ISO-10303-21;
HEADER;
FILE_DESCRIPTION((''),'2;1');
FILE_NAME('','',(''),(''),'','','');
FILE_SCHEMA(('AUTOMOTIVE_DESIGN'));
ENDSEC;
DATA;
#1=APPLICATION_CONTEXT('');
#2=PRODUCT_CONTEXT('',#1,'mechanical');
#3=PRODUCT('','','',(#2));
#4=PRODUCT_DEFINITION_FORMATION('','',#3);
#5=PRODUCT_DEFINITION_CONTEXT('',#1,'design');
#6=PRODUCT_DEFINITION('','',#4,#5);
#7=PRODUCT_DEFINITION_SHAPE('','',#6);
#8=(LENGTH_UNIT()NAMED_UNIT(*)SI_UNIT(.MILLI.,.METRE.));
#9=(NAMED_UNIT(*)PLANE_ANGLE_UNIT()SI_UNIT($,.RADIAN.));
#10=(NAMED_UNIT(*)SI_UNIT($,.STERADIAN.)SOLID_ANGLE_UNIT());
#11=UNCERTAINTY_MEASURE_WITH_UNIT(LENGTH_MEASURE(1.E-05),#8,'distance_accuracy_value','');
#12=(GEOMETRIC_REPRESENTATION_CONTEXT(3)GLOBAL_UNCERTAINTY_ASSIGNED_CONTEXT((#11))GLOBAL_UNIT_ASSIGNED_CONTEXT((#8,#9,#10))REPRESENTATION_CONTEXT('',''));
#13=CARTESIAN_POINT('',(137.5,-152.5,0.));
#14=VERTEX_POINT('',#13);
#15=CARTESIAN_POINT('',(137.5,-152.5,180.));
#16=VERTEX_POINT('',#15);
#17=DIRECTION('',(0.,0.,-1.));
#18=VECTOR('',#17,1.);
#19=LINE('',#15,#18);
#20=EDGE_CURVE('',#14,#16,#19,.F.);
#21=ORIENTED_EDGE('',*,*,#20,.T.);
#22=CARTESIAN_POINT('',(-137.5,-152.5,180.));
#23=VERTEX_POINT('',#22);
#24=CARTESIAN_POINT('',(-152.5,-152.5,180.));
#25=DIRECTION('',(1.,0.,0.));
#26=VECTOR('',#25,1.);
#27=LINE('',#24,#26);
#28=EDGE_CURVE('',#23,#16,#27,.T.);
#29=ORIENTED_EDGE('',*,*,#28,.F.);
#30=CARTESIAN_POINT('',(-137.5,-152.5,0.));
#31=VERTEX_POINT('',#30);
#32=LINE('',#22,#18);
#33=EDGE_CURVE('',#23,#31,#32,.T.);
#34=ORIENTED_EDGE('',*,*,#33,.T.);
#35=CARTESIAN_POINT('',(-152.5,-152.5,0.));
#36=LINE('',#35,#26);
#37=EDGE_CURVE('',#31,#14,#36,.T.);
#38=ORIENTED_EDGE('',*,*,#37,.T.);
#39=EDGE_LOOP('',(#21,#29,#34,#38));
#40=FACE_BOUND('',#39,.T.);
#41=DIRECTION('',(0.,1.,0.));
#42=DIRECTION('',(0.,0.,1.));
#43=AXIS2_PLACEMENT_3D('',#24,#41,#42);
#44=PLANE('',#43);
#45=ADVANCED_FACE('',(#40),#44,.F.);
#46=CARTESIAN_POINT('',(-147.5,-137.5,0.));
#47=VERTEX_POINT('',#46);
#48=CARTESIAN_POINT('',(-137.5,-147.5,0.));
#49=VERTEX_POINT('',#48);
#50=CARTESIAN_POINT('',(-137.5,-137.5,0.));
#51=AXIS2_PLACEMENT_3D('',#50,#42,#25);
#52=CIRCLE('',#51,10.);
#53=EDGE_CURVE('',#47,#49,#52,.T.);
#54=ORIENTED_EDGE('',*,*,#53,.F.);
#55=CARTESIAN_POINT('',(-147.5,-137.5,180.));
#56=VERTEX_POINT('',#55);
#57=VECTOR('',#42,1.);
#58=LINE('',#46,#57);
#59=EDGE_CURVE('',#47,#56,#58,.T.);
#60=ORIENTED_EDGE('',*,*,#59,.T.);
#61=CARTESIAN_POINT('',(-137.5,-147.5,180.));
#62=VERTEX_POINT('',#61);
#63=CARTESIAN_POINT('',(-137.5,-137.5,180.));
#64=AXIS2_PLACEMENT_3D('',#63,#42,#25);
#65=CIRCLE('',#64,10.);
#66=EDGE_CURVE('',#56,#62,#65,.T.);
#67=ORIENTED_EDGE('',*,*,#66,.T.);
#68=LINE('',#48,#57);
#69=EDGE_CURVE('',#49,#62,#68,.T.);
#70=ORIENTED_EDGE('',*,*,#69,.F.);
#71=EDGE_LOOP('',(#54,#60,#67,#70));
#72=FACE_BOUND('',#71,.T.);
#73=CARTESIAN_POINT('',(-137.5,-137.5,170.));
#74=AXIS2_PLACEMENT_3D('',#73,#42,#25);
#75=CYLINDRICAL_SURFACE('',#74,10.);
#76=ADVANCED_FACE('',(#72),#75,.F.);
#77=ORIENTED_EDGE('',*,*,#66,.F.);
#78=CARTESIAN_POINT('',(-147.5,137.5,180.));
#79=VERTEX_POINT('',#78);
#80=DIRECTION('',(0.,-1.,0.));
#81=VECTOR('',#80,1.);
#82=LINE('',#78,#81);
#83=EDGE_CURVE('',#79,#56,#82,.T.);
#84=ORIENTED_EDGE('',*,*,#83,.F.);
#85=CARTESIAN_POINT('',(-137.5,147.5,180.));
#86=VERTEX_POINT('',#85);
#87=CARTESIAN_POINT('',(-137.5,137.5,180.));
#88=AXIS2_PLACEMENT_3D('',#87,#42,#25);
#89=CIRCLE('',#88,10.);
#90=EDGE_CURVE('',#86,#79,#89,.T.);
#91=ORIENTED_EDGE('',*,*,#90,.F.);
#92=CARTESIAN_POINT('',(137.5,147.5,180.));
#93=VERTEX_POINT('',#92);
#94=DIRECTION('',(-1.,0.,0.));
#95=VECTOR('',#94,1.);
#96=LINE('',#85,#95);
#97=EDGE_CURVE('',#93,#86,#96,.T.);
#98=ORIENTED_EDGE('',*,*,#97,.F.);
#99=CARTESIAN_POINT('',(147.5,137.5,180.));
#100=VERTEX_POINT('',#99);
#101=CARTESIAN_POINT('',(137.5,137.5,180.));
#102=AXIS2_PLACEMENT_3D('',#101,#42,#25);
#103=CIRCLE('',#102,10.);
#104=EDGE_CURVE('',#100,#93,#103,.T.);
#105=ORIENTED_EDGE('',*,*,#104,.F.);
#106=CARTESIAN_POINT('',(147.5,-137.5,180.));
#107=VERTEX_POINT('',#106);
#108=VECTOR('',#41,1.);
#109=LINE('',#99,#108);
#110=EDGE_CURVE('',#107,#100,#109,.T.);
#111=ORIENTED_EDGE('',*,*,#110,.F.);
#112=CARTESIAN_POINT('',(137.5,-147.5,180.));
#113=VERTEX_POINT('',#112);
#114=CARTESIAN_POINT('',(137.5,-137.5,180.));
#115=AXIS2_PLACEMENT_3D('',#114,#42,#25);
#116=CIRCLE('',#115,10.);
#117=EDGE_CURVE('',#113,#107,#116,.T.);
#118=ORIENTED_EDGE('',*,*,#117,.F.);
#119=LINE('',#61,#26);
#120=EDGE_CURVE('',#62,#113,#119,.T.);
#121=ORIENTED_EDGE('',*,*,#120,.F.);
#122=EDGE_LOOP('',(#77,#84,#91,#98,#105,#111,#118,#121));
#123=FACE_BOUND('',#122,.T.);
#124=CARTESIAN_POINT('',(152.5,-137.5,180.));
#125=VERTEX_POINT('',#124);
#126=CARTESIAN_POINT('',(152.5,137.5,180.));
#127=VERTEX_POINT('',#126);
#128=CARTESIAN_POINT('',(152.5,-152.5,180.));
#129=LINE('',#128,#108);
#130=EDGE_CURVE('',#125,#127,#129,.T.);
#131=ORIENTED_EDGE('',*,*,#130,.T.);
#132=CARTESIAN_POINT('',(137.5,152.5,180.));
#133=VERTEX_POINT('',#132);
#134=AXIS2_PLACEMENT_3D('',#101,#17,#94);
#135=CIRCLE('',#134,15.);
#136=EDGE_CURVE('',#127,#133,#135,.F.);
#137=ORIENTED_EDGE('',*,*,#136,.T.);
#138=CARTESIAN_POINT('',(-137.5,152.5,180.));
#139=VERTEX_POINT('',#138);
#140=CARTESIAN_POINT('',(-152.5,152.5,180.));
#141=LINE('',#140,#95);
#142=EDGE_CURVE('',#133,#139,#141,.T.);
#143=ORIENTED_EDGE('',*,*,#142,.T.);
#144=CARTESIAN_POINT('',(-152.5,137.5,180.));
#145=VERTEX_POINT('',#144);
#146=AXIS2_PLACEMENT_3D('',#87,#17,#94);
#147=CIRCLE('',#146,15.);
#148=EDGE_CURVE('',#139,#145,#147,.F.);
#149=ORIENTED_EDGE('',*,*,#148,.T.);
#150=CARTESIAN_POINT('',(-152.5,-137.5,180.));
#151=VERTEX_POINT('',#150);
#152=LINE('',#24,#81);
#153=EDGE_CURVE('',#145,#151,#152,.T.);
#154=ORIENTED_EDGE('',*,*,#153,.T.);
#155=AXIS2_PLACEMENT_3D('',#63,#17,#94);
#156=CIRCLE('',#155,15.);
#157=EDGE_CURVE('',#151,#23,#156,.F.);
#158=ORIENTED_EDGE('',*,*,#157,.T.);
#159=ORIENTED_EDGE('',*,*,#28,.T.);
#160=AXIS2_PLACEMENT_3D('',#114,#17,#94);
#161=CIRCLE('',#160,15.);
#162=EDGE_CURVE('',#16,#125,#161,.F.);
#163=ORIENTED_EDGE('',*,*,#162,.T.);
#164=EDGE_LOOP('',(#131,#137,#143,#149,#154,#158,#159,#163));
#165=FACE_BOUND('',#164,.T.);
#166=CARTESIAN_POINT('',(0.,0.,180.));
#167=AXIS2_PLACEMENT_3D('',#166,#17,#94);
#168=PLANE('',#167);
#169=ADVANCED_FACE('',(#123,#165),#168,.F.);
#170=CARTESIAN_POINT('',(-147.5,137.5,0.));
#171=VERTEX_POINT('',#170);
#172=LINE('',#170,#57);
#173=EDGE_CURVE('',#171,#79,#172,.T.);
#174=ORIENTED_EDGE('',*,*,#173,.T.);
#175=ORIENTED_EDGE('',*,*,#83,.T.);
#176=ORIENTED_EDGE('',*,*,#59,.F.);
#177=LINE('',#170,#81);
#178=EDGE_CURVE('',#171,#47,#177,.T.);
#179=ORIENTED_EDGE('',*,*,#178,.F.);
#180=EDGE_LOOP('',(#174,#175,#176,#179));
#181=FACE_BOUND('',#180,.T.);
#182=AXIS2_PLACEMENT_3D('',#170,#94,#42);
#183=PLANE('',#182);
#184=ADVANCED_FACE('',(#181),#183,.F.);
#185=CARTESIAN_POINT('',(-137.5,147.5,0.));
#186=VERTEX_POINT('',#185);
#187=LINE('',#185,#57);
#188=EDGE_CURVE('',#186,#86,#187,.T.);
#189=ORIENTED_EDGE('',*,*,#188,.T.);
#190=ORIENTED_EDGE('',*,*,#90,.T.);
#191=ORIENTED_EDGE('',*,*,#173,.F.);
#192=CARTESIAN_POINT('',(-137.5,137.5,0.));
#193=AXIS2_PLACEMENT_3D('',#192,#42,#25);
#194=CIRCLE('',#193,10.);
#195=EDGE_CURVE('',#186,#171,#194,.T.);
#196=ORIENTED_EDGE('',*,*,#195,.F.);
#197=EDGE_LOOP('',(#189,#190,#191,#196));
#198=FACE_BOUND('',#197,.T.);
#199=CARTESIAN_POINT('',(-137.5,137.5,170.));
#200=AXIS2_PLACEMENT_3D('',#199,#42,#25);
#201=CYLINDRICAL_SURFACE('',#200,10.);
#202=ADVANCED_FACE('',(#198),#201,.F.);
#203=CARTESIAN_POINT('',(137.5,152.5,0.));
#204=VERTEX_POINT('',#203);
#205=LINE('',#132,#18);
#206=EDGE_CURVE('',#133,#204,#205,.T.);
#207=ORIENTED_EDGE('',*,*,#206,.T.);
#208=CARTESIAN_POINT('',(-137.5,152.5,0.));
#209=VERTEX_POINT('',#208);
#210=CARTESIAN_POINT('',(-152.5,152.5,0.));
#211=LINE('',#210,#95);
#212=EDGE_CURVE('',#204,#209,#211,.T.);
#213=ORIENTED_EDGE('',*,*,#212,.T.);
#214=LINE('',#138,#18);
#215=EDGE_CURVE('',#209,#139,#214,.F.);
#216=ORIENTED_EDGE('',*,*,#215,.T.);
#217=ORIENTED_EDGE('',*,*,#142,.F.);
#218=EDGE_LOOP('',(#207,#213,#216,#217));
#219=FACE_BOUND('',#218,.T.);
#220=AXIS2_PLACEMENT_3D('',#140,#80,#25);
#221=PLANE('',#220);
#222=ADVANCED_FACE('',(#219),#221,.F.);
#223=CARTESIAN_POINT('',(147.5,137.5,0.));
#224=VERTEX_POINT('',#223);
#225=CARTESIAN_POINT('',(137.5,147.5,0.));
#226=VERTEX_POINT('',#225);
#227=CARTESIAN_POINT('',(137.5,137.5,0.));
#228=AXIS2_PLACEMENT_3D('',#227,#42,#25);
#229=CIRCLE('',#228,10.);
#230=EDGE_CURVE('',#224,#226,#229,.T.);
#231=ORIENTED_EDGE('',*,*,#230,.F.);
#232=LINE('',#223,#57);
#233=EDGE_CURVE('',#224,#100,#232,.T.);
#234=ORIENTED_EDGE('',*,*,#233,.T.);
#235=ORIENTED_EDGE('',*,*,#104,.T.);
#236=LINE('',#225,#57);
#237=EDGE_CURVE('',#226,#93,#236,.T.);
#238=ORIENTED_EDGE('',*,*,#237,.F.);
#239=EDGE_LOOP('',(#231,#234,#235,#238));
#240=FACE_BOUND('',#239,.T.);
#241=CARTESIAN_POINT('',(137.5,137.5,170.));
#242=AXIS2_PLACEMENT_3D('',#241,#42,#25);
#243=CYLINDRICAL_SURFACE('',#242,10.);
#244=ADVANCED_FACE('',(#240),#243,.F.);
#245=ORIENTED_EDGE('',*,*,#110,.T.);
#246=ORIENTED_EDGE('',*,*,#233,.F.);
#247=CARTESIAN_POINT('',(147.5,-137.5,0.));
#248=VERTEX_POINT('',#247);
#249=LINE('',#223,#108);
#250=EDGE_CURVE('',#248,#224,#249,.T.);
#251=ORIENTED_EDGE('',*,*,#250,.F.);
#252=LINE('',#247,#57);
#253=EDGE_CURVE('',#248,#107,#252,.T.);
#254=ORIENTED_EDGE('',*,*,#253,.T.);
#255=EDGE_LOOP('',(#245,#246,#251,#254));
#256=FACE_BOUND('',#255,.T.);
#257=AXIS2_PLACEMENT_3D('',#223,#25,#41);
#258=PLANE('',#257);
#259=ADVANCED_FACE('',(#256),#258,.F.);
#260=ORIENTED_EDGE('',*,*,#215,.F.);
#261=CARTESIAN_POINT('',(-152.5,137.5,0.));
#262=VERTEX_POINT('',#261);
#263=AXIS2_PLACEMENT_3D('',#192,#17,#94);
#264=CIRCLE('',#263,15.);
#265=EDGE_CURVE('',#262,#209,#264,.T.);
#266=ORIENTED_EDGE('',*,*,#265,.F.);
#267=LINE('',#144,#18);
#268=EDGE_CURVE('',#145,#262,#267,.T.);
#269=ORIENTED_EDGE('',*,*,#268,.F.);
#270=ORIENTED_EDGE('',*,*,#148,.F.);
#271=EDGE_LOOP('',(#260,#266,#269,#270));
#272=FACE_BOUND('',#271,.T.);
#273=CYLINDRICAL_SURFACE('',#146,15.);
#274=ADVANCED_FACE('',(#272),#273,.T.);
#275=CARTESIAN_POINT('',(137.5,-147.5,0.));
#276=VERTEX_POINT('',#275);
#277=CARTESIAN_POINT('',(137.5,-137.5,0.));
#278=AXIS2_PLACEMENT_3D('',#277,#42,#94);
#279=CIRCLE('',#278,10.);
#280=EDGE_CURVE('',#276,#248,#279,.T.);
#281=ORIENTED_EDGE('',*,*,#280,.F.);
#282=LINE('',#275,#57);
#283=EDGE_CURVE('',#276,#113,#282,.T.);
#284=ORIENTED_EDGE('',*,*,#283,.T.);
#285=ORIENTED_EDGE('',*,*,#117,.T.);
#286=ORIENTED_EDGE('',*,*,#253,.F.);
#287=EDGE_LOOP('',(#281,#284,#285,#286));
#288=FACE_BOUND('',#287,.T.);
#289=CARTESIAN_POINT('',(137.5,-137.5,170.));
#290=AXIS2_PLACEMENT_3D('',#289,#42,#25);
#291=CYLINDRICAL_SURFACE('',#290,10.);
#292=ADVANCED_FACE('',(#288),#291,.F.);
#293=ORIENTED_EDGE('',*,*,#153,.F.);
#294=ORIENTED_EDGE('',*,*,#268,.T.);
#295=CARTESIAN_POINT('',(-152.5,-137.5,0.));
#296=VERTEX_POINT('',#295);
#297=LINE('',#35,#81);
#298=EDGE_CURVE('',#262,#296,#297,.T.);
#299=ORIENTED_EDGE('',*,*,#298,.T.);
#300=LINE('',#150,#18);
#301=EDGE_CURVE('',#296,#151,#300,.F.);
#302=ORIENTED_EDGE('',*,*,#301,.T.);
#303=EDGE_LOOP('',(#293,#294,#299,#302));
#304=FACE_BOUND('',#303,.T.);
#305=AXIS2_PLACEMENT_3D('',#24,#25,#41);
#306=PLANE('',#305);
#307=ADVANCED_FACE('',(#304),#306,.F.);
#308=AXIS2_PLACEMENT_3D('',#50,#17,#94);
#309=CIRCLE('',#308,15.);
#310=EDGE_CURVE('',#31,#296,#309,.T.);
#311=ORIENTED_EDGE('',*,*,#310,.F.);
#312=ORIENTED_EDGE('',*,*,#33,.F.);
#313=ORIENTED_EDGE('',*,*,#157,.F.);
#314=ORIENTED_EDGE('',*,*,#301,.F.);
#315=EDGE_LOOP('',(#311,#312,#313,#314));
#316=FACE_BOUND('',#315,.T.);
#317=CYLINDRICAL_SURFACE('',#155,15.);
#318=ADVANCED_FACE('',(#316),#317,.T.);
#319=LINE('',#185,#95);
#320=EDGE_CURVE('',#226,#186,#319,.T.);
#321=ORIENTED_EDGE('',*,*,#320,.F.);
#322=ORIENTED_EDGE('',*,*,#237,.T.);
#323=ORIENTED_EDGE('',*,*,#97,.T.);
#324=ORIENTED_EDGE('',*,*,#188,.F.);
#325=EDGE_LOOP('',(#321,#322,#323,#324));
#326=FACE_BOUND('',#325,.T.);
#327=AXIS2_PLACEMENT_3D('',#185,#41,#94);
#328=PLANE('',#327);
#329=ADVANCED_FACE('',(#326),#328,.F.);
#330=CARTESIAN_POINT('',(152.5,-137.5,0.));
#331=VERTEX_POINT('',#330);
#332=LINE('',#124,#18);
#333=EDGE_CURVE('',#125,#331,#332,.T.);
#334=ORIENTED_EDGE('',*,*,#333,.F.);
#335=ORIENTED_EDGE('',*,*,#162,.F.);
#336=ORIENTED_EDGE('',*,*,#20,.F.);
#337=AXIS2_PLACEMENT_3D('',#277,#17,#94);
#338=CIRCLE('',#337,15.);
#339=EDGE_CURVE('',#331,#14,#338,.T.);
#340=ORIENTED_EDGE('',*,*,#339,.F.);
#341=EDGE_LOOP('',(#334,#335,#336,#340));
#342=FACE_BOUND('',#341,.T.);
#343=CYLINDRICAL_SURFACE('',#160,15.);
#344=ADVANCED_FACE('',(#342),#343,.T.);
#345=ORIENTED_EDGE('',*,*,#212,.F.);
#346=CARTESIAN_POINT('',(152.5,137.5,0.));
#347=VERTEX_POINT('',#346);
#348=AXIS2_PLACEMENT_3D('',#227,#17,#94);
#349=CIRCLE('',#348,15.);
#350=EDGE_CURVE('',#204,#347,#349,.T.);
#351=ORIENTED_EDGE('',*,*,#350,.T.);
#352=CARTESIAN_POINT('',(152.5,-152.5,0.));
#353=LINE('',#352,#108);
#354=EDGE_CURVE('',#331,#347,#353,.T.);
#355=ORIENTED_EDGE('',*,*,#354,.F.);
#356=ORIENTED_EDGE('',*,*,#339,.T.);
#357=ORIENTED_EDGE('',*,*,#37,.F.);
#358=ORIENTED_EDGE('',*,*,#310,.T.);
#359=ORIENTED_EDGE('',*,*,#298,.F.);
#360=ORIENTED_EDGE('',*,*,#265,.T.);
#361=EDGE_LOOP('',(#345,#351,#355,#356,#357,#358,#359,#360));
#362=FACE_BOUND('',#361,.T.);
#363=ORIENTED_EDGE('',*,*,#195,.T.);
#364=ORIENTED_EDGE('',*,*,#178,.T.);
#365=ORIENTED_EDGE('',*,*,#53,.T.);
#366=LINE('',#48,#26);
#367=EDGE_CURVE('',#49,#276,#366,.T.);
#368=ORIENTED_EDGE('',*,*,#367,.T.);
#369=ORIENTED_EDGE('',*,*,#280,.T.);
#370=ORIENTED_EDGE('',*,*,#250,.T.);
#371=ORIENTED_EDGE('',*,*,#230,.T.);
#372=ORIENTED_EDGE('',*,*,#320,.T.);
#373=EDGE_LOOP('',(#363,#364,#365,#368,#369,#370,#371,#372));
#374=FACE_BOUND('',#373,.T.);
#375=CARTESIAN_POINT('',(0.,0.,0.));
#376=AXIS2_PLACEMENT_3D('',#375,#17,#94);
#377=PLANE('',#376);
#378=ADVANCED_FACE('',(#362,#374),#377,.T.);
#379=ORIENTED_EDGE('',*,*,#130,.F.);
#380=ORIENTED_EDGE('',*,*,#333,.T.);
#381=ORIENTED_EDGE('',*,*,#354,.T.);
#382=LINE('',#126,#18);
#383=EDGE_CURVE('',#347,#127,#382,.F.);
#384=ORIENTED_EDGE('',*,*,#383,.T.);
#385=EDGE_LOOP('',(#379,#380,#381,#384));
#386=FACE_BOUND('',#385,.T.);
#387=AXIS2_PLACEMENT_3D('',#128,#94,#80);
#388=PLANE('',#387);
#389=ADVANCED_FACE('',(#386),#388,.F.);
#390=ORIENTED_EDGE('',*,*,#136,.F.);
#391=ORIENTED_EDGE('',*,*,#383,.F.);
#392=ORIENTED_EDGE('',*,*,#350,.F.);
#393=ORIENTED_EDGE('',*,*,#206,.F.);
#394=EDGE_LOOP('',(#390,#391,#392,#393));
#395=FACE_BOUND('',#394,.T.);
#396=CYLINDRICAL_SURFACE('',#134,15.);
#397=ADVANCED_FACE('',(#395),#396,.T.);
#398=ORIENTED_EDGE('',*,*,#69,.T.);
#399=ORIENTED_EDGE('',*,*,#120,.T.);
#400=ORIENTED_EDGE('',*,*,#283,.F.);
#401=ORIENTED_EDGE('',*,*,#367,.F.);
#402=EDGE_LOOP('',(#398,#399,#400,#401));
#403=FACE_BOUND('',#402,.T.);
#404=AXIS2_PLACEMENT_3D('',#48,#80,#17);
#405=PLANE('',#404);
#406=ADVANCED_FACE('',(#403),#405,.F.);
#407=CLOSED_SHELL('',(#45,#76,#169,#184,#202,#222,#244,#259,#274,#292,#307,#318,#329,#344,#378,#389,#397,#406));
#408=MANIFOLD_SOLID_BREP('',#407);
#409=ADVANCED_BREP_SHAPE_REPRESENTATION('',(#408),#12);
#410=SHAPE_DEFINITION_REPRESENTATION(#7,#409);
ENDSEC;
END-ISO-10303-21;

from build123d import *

# Parameters (mm, degrees)
ESQUISSE1_W              = 305
ESQUISSE1_H              = 305
BOSS_EXTRU_1_DEPTH       = 180
ESQUISSE2_R              = 10
ENL_V_MAT_EXTRU_10_DEPTH = 10
CONG_2_R                 = 15
ENL_V_MAT_EXTRU_11_DEPTH = 180


with BuildPart() as part:
    # Esquisse1 → Boss.-Extru.1 (new body)
    with BuildSketch(Plane.XY):
        Rectangle(ESQUISSE1_W, ESQUISSE1_H)
    extrude(amount=BOSS_EXTRU_1_DEPTH)

    # Esquisse2 → Enlèv. mat.-Extru.10 (cut)
    with BuildSketch(Plane.XY.offset(180)):
        with Locations((137.5, 137.5)):
            Circle(ESQUISSE2_R)
        with Locations((137.5, -137.5)):
            Circle(ESQUISSE2_R)
        with Locations((-137.5, -137.5)):
            Circle(ESQUISSE2_R)
        with Locations((-137.5, 137.5)):
            Circle(ESQUISSE2_R)
    extrude(amount=-ENL_V_MAT_EXTRU_10_DEPTH, mode=Mode.SUBTRACT)

    # Congé2
    cong_2_edges = [part.edges().sort_by_distance(p)[0] for p in [
        (-152.5, 152.5, 90),
        (152.5, 152.5, 90),
        (152.5, -152.5, 90),
        (-152.5, -152.5, 90),
    ]]
    fillet(cong_2_edges, radius=CONG_2_R)

    # Esquisse3 → Enlèv. mat.-Extru.11 (cut)
    with BuildSketch(Plane.XY.offset(180)):
        with BuildLine():
            Line((-137.5, 147.5), (137.5, 147.5))
            ThreePointArc((137.5, 147.5), (144.571068, 144.571068), (147.5, 137.5))
            Line((147.5, 137.5), (147.5, -137.5))
            ThreePointArc((147.5, -137.5), (144.571068, -144.571068), (137.5, -147.5))
            Line((137.5, -147.5), (-137.5, -147.5))
            ThreePointArc((-137.5, -147.5), (-144.571068, -144.571068), (-147.5, -137.5))
            Line((-147.5, -137.5), (-147.5, 137.5))
            ThreePointArc((-147.5, 137.5), (-144.571068, 144.571068), (-137.5, 147.5))
        make_face()
    extrude(amount=-ENL_V_MAT_EXTRU_11_DEPTH, mode=Mode.SUBTRACT)


solid = part.part
